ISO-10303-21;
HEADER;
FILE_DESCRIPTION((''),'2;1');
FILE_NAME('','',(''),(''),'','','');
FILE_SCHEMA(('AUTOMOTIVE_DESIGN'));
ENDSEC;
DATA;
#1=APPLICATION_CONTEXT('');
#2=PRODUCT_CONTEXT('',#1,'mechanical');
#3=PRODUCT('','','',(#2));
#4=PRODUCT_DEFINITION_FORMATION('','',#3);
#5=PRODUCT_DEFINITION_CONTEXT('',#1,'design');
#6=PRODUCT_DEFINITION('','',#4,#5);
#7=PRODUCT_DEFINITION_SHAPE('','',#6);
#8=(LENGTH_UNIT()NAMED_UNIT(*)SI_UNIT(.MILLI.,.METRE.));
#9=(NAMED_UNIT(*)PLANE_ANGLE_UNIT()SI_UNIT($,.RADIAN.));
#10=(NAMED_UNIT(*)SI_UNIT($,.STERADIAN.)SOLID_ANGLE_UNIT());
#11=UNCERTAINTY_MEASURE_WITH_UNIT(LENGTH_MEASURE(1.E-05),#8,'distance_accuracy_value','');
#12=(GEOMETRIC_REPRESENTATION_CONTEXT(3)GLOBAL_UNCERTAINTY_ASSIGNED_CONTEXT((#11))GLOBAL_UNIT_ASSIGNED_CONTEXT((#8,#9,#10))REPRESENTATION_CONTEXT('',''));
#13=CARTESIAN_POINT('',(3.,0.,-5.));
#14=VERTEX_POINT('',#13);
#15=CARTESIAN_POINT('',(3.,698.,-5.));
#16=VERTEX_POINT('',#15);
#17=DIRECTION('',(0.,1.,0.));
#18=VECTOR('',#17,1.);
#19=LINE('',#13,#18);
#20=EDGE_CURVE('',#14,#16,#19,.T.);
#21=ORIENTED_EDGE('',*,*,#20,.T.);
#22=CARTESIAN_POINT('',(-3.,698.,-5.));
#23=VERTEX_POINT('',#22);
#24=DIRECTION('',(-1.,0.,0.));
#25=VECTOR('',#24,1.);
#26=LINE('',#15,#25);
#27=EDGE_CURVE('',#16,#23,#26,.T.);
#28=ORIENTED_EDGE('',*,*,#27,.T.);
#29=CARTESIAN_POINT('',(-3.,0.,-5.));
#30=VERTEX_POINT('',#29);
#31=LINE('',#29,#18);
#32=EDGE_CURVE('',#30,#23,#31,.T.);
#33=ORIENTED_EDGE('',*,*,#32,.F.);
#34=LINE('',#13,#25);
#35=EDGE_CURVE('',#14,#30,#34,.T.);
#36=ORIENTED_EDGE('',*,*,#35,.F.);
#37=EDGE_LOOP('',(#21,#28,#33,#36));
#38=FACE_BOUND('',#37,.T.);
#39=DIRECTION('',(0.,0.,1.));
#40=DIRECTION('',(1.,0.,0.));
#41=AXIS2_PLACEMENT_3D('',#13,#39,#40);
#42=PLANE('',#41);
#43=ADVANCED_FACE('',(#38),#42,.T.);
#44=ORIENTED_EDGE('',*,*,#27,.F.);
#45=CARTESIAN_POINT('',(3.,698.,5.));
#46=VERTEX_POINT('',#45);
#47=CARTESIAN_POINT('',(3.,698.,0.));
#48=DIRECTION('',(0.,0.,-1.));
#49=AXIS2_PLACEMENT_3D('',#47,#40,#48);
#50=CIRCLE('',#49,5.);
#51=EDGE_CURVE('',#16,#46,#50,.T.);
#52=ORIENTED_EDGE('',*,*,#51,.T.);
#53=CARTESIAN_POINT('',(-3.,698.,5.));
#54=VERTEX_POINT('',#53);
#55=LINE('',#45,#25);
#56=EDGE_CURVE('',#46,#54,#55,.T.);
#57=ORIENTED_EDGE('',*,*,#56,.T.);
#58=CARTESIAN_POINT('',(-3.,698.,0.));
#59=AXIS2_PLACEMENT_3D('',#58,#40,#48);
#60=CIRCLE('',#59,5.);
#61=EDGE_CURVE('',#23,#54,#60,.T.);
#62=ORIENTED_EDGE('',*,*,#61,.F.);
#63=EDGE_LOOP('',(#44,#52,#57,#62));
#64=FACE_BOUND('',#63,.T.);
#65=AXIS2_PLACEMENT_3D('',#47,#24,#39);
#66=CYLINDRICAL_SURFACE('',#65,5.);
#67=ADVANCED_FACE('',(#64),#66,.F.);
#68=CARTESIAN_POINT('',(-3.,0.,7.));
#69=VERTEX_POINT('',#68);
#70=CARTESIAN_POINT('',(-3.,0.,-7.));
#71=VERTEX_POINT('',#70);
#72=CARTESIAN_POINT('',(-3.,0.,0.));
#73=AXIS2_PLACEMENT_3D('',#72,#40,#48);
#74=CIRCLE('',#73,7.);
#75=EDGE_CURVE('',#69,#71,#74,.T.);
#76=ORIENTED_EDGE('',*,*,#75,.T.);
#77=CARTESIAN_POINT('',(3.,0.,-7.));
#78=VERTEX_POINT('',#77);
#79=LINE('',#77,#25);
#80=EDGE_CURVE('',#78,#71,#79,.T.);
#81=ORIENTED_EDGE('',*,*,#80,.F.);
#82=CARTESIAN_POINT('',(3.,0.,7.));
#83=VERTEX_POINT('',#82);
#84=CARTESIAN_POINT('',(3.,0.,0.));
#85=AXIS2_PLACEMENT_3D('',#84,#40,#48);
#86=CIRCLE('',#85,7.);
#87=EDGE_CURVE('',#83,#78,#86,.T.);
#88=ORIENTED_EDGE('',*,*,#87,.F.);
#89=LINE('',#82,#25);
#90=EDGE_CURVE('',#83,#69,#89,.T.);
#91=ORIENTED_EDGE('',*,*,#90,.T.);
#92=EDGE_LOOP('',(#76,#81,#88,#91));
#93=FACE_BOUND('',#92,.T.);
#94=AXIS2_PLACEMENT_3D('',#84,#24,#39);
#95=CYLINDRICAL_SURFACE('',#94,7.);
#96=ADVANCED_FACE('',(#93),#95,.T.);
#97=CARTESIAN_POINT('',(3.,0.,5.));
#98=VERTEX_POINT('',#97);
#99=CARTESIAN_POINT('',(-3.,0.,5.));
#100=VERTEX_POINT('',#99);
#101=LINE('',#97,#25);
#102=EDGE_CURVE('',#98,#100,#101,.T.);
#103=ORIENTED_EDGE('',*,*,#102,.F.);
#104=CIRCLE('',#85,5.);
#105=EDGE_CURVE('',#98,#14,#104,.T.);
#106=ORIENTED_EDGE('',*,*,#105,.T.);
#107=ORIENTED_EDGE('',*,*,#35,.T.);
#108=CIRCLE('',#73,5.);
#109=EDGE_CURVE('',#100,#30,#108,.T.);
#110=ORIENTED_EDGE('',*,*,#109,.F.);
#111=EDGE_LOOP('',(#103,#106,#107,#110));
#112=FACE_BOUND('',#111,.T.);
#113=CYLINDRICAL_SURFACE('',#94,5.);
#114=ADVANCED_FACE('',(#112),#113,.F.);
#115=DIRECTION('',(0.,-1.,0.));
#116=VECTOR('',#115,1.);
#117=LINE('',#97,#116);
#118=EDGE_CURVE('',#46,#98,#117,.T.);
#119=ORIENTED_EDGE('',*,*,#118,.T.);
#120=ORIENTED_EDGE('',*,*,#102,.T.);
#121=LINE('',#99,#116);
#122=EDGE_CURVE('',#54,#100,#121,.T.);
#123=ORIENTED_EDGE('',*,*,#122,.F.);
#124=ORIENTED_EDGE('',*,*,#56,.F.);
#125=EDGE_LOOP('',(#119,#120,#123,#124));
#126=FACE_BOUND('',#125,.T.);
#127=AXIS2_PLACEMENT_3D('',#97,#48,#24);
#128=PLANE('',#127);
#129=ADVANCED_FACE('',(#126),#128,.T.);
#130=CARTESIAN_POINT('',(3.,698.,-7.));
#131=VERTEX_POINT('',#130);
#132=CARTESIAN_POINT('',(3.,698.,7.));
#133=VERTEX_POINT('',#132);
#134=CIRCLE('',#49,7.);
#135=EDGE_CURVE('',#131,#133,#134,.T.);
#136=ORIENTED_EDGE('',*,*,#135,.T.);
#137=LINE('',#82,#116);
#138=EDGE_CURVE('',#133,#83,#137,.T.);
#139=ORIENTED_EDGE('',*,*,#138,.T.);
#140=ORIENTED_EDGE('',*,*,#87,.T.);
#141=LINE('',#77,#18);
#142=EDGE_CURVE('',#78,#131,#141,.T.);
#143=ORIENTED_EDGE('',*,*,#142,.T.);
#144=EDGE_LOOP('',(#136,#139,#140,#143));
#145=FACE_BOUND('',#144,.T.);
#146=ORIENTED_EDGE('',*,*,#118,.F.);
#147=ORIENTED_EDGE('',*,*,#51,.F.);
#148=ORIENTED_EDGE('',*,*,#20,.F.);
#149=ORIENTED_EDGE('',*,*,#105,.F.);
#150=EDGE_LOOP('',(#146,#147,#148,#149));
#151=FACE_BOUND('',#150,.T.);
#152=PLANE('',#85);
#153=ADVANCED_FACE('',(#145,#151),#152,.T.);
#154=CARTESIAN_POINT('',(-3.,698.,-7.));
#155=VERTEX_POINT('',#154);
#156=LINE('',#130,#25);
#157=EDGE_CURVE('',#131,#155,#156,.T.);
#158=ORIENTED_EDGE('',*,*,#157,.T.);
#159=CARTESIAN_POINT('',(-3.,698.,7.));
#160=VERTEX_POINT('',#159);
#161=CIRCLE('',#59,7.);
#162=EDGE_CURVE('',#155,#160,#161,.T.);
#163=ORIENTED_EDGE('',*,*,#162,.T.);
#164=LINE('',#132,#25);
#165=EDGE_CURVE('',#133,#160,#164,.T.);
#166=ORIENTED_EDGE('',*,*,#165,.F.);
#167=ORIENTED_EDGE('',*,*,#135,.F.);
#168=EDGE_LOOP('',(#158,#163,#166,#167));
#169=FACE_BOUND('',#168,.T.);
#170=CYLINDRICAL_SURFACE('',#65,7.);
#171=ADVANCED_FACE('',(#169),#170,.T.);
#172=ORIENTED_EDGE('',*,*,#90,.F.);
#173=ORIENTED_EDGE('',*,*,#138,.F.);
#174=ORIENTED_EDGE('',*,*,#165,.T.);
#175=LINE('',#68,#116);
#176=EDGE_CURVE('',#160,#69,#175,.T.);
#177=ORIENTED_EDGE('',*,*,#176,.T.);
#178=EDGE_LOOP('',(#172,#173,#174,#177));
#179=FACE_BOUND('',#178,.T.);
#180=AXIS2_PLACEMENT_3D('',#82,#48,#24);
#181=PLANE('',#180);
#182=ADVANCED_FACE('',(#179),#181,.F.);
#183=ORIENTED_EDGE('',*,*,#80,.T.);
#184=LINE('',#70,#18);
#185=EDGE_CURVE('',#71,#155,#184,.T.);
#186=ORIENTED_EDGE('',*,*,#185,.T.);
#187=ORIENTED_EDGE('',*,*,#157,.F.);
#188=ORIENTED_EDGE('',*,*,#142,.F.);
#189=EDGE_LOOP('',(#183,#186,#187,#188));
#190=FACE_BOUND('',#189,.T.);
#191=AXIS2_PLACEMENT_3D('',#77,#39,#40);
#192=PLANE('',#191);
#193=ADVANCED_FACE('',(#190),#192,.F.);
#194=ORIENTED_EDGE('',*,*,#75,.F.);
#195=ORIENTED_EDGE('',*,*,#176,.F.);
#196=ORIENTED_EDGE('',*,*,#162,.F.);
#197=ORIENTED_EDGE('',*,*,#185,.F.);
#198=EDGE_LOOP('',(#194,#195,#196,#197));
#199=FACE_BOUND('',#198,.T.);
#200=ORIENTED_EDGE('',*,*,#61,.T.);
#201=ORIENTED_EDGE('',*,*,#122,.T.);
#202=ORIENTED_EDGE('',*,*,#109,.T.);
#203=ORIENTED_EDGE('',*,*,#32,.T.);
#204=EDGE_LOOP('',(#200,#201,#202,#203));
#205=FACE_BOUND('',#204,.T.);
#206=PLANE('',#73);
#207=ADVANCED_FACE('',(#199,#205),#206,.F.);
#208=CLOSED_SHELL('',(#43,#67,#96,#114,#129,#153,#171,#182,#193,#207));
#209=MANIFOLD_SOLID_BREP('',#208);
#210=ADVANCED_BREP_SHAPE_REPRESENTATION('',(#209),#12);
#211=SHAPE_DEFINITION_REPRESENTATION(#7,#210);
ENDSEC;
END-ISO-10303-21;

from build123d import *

# Parameters (mm, degrees)
BOSS_EXTRUDE1_DEPTH = 3


with BuildPart() as part:
    # Sketch1 → Boss-Extrude1 (new body, symmetric)
    with BuildSketch(Plane(origin=(0, 0, 0), x_dir=(0, 0, -1), z_dir=(1, 0, 0))):
        with BuildLine():
            Line((-7, 0), (-7, 698))
            ThreePointArc((-7, 698), (0, 705), (7, 698))
            Line((7, 698), (7, 0))
            ThreePointArc((7, 0), (0, -7), (-7, 0))
        make_face()
        with BuildLine():
            Line((-5, 0), (-5, 698))
            ThreePointArc((-5, 698), (0, 703), (5, 698))
            Line((5, 698), (5, 0))
            ThreePointArc((5, 0), (0, -5), (-5, 0))
        make_face(mode=Mode.SUBTRACT)
    extrude(amount=BOSS_EXTRUDE1_DEPTH, both=True)


solid = part.part
